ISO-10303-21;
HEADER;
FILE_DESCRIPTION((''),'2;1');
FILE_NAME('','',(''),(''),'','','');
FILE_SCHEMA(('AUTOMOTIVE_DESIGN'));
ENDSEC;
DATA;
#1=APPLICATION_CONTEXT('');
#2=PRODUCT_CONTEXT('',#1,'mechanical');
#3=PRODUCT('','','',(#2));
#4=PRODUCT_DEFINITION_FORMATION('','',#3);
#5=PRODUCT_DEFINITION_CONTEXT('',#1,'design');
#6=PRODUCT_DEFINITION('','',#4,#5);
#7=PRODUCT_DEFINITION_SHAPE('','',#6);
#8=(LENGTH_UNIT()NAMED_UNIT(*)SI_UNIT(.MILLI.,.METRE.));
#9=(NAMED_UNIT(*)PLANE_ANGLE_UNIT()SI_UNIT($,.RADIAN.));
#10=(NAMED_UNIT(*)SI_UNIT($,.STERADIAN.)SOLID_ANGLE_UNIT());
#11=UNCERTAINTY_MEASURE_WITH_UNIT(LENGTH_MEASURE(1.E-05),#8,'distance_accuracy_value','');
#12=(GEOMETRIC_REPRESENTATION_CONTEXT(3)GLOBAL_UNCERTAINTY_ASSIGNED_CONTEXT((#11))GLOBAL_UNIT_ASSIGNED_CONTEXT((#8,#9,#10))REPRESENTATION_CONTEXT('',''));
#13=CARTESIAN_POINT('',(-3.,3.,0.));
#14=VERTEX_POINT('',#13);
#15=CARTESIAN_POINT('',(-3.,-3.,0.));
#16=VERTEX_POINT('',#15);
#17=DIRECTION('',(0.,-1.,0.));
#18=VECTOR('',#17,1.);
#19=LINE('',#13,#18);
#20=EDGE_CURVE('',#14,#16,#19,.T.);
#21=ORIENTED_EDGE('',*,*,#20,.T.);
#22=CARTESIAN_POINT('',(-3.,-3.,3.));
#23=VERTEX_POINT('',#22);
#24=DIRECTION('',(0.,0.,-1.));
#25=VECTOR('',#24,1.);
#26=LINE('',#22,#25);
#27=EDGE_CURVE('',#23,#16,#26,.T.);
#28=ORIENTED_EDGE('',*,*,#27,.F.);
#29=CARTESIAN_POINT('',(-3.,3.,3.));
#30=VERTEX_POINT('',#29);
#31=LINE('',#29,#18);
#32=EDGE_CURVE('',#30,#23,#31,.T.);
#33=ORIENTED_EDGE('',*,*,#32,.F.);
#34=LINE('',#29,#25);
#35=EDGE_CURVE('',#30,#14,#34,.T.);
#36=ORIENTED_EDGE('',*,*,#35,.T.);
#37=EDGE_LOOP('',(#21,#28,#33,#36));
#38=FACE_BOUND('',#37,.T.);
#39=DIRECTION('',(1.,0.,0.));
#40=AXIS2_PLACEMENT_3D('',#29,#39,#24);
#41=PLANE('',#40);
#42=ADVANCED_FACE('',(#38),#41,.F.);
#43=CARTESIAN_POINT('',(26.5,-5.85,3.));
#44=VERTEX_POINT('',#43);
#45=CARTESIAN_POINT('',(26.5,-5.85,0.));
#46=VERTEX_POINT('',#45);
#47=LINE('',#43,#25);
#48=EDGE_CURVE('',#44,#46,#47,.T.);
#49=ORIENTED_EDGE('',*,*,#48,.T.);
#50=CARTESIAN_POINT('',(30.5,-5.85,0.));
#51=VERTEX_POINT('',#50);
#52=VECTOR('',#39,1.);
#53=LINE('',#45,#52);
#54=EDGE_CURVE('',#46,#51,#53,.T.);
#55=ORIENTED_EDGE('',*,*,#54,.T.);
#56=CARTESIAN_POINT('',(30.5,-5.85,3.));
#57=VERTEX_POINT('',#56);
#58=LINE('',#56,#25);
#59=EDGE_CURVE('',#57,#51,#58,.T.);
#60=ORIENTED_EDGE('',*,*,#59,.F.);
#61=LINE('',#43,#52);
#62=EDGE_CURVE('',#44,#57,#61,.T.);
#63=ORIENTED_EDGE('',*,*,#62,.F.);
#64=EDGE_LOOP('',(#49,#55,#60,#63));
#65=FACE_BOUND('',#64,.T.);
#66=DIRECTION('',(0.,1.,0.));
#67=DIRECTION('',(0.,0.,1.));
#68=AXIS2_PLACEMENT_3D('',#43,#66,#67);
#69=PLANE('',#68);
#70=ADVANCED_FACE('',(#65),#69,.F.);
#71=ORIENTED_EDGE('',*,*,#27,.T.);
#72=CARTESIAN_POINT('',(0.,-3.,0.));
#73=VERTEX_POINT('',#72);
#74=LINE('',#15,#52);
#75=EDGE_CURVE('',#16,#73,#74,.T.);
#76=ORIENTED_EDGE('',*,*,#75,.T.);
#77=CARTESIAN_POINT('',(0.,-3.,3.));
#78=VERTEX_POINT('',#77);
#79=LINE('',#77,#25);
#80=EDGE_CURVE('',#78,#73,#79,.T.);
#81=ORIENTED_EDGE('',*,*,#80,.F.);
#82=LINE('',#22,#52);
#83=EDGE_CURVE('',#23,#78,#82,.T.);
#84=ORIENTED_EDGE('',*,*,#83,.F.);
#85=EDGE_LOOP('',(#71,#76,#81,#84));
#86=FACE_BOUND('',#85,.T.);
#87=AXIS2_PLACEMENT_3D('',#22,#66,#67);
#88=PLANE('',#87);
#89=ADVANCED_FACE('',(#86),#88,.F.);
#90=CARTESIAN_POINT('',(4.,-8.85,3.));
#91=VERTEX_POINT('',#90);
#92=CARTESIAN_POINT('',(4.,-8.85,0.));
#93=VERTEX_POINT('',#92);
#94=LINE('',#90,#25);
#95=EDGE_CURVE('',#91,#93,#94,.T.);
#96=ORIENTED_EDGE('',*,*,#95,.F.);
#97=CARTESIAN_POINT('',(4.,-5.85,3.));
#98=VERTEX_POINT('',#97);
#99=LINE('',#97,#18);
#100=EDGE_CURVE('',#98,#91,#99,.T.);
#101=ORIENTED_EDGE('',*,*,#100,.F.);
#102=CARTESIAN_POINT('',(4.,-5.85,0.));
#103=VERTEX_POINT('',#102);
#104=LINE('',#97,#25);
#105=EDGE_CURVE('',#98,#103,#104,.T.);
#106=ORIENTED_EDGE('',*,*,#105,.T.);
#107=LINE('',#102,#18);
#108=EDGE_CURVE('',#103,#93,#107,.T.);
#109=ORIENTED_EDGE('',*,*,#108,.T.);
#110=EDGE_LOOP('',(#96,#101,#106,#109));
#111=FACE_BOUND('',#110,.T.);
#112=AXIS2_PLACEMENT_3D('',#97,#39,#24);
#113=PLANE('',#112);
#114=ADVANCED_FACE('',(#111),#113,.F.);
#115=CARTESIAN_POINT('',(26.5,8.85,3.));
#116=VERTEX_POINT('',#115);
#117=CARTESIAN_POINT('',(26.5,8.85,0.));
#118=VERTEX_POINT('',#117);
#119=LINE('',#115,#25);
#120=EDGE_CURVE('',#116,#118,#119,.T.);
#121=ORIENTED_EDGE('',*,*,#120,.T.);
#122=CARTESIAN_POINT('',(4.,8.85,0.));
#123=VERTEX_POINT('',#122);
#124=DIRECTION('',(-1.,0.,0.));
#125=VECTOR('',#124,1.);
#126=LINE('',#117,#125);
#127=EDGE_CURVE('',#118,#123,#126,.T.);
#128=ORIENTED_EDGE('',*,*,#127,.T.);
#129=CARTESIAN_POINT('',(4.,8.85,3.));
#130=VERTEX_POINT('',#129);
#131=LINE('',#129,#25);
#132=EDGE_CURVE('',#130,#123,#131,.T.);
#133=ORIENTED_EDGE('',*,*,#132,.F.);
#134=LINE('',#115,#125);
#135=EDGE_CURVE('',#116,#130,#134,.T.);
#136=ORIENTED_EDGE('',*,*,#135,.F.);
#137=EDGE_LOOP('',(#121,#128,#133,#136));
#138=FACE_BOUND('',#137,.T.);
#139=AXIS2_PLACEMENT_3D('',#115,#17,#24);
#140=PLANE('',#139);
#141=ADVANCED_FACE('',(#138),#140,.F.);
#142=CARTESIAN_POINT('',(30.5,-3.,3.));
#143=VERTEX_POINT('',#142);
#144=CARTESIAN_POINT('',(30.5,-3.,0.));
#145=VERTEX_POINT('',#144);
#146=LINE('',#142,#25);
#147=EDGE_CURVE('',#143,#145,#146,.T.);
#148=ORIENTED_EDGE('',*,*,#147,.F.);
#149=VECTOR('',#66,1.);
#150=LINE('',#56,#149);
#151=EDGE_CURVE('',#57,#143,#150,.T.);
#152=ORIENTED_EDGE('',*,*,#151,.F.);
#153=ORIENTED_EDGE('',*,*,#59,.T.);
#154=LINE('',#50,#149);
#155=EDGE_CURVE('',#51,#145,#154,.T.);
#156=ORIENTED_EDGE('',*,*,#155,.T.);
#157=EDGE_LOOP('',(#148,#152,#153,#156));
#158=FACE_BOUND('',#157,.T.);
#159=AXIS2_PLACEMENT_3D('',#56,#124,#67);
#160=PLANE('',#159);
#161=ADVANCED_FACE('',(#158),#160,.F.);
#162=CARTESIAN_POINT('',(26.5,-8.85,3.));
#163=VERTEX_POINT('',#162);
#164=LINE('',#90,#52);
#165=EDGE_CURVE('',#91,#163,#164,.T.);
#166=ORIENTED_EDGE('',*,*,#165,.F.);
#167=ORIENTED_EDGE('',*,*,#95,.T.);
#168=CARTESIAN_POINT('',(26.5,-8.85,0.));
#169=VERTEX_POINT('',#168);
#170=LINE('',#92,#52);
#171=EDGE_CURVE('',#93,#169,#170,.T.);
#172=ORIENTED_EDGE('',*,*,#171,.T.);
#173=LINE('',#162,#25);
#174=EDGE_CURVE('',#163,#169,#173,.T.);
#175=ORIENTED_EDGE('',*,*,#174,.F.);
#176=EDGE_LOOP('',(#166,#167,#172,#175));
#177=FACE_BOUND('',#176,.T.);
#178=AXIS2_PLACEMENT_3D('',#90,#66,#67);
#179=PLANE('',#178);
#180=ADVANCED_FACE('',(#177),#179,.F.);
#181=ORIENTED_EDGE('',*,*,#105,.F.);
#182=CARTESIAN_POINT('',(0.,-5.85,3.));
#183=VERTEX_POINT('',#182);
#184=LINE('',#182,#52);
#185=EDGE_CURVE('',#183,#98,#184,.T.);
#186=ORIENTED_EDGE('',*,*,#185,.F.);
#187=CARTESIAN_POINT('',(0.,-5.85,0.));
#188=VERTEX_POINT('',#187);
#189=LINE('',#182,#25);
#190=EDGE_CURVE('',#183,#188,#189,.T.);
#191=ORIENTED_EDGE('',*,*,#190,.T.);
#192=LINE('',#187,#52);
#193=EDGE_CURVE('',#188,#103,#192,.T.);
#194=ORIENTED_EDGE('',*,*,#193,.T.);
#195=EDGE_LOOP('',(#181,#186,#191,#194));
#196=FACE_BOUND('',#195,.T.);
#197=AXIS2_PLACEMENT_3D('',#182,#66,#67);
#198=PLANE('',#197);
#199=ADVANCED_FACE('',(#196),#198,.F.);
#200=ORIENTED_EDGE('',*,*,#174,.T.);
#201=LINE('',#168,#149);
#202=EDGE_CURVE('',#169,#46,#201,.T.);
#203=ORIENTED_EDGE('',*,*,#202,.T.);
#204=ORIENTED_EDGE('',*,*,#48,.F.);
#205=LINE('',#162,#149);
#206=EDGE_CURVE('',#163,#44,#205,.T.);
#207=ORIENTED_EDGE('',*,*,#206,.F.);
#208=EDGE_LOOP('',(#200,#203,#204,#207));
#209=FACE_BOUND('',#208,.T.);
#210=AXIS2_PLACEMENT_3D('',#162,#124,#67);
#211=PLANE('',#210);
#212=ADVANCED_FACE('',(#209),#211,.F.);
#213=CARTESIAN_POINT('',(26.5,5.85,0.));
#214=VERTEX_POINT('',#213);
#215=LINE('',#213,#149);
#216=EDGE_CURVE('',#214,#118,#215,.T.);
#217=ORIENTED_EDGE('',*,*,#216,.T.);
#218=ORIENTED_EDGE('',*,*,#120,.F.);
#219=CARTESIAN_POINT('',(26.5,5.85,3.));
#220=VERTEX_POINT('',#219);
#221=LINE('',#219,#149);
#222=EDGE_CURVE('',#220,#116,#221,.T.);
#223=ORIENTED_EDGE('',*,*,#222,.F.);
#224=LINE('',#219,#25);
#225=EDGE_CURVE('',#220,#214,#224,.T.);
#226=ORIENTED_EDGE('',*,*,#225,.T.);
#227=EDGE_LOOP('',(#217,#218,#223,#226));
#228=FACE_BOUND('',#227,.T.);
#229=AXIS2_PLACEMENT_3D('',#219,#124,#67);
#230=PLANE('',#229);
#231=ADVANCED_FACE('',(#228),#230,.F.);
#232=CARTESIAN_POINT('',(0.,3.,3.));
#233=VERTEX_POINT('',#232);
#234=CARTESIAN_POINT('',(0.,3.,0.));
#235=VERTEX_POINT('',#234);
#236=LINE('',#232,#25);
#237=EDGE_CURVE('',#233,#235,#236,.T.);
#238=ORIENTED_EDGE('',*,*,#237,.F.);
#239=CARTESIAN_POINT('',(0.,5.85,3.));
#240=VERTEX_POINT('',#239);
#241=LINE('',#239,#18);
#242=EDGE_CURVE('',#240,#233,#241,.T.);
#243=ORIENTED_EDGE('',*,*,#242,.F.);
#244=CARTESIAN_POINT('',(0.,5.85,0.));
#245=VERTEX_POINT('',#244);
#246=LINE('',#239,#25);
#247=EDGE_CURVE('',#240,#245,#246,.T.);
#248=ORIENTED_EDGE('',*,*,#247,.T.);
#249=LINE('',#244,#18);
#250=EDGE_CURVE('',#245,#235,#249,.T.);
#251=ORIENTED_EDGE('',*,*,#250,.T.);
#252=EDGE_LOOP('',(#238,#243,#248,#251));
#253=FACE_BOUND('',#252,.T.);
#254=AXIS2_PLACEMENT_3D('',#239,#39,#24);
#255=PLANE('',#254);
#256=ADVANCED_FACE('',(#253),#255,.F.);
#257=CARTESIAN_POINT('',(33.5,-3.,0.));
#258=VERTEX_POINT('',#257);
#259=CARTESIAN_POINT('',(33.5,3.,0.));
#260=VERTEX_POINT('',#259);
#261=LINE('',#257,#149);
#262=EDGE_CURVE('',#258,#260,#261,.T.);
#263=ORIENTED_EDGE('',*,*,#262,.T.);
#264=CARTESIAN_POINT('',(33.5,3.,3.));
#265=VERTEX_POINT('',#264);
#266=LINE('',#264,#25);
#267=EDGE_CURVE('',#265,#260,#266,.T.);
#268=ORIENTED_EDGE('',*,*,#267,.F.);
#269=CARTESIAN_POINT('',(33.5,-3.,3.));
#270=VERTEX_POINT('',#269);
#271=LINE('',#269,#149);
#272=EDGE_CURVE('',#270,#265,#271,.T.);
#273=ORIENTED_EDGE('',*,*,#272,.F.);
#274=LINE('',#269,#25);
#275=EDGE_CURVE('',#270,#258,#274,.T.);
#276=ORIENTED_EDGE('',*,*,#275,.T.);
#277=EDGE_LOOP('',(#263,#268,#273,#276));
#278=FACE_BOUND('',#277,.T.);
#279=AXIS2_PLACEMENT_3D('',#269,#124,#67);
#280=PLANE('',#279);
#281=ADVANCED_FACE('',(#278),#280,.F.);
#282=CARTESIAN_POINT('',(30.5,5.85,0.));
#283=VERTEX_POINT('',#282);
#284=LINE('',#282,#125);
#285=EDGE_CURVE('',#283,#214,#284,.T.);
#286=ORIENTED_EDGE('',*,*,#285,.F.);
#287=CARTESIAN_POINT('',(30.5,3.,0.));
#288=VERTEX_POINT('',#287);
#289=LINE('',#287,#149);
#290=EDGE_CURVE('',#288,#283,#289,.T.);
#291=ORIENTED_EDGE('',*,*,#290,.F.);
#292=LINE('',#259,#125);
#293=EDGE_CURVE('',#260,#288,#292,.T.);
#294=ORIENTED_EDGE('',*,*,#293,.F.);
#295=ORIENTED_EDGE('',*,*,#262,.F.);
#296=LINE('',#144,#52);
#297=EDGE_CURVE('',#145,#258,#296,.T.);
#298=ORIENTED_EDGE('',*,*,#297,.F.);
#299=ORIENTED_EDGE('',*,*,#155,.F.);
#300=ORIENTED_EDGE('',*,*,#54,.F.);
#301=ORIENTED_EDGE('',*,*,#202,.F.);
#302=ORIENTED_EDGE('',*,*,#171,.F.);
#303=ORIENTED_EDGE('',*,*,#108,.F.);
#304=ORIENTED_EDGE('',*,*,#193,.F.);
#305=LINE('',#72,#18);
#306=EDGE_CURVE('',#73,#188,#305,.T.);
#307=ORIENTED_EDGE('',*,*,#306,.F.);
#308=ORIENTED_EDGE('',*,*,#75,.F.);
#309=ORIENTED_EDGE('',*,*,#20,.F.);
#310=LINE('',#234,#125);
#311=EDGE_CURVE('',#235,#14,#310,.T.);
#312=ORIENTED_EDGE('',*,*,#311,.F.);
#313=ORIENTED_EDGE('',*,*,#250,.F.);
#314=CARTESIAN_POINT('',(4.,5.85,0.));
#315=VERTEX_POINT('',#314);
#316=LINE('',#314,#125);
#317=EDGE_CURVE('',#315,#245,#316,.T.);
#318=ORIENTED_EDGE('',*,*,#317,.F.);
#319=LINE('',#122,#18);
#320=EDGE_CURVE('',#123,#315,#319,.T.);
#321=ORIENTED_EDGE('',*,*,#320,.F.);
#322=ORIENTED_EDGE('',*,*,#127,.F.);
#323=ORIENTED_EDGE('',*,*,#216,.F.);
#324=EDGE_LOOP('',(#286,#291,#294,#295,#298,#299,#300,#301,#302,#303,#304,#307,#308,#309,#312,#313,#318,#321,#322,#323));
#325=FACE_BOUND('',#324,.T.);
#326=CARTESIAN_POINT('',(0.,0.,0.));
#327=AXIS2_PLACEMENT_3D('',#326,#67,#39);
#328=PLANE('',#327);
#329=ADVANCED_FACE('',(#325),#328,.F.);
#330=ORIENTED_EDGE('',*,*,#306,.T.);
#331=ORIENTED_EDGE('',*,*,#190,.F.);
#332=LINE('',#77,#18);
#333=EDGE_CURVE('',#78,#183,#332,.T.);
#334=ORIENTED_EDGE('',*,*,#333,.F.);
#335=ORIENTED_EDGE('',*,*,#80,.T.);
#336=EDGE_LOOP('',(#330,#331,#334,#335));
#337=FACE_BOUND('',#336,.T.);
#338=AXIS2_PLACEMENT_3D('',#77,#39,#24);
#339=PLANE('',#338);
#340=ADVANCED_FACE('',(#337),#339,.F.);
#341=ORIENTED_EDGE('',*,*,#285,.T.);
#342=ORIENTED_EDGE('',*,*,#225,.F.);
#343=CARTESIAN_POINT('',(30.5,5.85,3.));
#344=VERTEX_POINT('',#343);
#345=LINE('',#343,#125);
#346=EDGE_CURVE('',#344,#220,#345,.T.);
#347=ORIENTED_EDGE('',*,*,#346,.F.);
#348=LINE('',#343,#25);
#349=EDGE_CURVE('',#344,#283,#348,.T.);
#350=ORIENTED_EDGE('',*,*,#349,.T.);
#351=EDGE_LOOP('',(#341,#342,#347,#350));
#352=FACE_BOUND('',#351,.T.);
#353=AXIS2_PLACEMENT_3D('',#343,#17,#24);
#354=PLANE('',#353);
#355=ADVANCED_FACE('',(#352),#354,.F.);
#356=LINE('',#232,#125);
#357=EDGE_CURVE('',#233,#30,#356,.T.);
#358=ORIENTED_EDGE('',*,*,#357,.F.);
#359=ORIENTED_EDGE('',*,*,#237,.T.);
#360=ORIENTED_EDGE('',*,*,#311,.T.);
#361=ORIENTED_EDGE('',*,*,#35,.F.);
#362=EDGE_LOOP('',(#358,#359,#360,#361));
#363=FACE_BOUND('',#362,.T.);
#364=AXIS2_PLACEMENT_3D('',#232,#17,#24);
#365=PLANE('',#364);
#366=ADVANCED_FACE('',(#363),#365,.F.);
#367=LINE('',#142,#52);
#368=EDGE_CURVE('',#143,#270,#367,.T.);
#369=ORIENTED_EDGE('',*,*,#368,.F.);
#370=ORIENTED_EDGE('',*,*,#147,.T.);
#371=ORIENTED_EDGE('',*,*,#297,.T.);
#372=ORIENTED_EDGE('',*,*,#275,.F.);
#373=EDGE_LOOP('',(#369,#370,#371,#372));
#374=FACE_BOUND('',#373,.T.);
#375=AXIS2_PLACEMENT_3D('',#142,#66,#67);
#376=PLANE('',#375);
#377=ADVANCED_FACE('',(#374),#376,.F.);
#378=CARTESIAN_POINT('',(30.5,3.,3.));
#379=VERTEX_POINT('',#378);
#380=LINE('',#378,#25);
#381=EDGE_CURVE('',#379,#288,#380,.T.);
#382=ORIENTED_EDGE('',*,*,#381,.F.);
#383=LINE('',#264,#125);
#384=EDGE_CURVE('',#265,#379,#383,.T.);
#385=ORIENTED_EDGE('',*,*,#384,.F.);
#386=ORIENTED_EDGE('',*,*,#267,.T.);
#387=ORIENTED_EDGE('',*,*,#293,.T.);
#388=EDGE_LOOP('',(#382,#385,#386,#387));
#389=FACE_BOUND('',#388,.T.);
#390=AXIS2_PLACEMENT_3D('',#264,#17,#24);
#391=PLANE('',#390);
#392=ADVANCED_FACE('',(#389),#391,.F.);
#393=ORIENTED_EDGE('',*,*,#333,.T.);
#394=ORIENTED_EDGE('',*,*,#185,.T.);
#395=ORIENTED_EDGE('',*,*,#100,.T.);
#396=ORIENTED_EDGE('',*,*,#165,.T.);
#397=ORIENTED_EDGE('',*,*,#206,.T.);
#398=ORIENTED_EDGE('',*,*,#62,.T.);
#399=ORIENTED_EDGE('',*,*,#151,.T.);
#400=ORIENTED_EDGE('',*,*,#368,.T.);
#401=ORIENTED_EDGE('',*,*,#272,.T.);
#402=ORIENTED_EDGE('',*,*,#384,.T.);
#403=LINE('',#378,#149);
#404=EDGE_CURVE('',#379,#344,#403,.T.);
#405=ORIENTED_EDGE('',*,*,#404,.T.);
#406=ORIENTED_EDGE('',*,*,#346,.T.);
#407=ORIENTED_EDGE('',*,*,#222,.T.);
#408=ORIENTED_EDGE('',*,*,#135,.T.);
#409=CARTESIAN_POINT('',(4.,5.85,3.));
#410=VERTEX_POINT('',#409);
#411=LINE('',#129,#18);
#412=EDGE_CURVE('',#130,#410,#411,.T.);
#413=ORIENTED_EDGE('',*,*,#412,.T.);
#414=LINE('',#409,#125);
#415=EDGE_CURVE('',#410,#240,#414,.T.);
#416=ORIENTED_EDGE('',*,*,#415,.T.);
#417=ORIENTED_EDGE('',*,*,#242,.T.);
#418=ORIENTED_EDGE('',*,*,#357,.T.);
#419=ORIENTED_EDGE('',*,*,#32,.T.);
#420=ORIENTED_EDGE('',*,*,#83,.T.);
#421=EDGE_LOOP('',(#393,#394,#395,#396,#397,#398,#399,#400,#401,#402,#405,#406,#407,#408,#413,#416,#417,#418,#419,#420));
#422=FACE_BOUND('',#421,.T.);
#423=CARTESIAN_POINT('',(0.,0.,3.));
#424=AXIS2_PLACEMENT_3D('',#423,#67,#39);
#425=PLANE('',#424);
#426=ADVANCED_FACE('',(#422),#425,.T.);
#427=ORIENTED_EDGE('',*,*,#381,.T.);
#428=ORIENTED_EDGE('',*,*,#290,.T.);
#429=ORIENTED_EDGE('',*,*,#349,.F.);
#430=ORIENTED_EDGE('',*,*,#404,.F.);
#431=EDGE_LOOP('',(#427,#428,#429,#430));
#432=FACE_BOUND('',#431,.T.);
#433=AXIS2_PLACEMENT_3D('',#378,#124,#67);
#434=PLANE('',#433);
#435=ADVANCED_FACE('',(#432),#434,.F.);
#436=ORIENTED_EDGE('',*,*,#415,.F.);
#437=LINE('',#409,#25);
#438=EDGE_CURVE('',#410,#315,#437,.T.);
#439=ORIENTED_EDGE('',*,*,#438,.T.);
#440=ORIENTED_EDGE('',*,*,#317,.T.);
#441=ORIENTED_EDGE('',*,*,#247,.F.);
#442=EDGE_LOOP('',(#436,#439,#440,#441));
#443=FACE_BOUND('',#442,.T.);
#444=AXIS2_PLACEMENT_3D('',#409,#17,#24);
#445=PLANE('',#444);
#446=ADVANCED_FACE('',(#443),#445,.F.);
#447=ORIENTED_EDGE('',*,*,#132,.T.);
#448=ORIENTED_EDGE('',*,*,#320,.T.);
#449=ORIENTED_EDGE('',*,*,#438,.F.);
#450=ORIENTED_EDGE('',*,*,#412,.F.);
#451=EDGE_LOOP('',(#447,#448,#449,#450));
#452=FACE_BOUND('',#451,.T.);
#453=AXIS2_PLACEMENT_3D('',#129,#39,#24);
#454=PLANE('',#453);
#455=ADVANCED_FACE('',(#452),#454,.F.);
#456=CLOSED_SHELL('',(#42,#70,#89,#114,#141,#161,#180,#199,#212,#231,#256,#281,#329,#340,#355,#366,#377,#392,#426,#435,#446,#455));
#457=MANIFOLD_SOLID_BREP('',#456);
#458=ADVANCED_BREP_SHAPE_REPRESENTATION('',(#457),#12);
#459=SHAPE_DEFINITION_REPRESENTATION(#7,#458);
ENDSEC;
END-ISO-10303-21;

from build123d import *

# Parameters (mm, degrees)
LASER_PROFILE_3MM_DEPTH = 3


with BuildPart() as part:
    # Profile_Laser_profile_3mm → Laser_profile_3mm (new body)
    with BuildSketch(Plane.XY):
        Polygon((0, -5.85), (4, -5.85), (4, -8.85), (26.5, -8.85), (26.5, -5.85), (30.5, -5.85), (30.5, -3), (33.5, -3), (33.5, 3), (30.5, 3), (30.5, 5.85), (26.5, 5.85), (26.5, 8.85), (4, 8.85), (4, 5.85), (0, 5.85), (0, 3), (-3, 3), (-3, -3), (0, -3), align=None)
    extrude(amount=LASER_PROFILE_3MM_DEPTH)


solid = part.part
